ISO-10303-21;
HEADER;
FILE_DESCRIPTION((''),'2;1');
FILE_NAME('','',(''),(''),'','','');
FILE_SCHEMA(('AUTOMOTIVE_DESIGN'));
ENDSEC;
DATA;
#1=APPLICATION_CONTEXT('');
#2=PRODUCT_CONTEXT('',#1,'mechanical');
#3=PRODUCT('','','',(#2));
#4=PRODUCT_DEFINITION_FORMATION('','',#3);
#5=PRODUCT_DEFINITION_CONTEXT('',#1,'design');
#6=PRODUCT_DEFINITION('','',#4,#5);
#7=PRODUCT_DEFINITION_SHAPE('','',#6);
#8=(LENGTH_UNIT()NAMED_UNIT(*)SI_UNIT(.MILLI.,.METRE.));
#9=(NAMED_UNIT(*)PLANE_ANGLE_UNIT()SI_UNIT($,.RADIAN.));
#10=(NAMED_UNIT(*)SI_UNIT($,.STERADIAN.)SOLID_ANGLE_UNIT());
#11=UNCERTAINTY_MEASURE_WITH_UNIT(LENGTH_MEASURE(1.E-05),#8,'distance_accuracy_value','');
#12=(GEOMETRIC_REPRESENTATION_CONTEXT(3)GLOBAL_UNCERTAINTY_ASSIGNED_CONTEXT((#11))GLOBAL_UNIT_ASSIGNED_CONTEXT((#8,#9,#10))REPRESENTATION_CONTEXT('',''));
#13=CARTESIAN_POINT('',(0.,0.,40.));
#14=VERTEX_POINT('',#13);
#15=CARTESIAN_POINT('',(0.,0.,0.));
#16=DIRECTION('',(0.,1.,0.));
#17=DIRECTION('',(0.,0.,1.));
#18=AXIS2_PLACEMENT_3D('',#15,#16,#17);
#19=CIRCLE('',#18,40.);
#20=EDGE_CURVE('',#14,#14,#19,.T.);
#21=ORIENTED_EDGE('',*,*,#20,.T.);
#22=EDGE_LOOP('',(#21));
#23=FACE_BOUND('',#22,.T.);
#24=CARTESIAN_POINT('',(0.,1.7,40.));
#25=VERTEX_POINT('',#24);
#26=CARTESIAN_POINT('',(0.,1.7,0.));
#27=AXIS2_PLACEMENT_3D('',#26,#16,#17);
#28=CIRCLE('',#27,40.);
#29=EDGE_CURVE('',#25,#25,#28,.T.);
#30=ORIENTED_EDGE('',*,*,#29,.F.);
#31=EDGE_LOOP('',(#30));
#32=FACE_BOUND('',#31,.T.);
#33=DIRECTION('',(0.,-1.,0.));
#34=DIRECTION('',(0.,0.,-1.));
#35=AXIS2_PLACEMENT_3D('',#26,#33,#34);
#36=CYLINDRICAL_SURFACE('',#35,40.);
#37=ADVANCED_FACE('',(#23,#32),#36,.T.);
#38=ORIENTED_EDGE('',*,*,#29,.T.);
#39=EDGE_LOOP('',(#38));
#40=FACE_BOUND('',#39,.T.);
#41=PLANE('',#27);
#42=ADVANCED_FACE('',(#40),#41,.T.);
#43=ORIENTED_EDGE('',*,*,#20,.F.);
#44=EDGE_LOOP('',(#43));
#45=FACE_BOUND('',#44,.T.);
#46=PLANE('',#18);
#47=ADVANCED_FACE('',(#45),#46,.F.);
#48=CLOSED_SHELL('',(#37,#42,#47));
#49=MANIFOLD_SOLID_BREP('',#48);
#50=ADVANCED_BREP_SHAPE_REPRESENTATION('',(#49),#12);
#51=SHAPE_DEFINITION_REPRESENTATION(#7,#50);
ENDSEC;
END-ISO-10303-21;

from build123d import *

# Parameters (mm, degrees)
SKETCH1_R           = 40
BOSS_EXTRUDE1_DEPTH = 1.7


with BuildPart() as part:
    # Sketch1 → Boss-Extrude1 (new body)
    with BuildSketch(Plane(origin=(0, 0, 0), x_dir=(1, 0, 0), z_dir=(0, 1, 0))):
        Circle(SKETCH1_R)
    extrude(amount=BOSS_EXTRUDE1_DEPTH)


solid = part.part
